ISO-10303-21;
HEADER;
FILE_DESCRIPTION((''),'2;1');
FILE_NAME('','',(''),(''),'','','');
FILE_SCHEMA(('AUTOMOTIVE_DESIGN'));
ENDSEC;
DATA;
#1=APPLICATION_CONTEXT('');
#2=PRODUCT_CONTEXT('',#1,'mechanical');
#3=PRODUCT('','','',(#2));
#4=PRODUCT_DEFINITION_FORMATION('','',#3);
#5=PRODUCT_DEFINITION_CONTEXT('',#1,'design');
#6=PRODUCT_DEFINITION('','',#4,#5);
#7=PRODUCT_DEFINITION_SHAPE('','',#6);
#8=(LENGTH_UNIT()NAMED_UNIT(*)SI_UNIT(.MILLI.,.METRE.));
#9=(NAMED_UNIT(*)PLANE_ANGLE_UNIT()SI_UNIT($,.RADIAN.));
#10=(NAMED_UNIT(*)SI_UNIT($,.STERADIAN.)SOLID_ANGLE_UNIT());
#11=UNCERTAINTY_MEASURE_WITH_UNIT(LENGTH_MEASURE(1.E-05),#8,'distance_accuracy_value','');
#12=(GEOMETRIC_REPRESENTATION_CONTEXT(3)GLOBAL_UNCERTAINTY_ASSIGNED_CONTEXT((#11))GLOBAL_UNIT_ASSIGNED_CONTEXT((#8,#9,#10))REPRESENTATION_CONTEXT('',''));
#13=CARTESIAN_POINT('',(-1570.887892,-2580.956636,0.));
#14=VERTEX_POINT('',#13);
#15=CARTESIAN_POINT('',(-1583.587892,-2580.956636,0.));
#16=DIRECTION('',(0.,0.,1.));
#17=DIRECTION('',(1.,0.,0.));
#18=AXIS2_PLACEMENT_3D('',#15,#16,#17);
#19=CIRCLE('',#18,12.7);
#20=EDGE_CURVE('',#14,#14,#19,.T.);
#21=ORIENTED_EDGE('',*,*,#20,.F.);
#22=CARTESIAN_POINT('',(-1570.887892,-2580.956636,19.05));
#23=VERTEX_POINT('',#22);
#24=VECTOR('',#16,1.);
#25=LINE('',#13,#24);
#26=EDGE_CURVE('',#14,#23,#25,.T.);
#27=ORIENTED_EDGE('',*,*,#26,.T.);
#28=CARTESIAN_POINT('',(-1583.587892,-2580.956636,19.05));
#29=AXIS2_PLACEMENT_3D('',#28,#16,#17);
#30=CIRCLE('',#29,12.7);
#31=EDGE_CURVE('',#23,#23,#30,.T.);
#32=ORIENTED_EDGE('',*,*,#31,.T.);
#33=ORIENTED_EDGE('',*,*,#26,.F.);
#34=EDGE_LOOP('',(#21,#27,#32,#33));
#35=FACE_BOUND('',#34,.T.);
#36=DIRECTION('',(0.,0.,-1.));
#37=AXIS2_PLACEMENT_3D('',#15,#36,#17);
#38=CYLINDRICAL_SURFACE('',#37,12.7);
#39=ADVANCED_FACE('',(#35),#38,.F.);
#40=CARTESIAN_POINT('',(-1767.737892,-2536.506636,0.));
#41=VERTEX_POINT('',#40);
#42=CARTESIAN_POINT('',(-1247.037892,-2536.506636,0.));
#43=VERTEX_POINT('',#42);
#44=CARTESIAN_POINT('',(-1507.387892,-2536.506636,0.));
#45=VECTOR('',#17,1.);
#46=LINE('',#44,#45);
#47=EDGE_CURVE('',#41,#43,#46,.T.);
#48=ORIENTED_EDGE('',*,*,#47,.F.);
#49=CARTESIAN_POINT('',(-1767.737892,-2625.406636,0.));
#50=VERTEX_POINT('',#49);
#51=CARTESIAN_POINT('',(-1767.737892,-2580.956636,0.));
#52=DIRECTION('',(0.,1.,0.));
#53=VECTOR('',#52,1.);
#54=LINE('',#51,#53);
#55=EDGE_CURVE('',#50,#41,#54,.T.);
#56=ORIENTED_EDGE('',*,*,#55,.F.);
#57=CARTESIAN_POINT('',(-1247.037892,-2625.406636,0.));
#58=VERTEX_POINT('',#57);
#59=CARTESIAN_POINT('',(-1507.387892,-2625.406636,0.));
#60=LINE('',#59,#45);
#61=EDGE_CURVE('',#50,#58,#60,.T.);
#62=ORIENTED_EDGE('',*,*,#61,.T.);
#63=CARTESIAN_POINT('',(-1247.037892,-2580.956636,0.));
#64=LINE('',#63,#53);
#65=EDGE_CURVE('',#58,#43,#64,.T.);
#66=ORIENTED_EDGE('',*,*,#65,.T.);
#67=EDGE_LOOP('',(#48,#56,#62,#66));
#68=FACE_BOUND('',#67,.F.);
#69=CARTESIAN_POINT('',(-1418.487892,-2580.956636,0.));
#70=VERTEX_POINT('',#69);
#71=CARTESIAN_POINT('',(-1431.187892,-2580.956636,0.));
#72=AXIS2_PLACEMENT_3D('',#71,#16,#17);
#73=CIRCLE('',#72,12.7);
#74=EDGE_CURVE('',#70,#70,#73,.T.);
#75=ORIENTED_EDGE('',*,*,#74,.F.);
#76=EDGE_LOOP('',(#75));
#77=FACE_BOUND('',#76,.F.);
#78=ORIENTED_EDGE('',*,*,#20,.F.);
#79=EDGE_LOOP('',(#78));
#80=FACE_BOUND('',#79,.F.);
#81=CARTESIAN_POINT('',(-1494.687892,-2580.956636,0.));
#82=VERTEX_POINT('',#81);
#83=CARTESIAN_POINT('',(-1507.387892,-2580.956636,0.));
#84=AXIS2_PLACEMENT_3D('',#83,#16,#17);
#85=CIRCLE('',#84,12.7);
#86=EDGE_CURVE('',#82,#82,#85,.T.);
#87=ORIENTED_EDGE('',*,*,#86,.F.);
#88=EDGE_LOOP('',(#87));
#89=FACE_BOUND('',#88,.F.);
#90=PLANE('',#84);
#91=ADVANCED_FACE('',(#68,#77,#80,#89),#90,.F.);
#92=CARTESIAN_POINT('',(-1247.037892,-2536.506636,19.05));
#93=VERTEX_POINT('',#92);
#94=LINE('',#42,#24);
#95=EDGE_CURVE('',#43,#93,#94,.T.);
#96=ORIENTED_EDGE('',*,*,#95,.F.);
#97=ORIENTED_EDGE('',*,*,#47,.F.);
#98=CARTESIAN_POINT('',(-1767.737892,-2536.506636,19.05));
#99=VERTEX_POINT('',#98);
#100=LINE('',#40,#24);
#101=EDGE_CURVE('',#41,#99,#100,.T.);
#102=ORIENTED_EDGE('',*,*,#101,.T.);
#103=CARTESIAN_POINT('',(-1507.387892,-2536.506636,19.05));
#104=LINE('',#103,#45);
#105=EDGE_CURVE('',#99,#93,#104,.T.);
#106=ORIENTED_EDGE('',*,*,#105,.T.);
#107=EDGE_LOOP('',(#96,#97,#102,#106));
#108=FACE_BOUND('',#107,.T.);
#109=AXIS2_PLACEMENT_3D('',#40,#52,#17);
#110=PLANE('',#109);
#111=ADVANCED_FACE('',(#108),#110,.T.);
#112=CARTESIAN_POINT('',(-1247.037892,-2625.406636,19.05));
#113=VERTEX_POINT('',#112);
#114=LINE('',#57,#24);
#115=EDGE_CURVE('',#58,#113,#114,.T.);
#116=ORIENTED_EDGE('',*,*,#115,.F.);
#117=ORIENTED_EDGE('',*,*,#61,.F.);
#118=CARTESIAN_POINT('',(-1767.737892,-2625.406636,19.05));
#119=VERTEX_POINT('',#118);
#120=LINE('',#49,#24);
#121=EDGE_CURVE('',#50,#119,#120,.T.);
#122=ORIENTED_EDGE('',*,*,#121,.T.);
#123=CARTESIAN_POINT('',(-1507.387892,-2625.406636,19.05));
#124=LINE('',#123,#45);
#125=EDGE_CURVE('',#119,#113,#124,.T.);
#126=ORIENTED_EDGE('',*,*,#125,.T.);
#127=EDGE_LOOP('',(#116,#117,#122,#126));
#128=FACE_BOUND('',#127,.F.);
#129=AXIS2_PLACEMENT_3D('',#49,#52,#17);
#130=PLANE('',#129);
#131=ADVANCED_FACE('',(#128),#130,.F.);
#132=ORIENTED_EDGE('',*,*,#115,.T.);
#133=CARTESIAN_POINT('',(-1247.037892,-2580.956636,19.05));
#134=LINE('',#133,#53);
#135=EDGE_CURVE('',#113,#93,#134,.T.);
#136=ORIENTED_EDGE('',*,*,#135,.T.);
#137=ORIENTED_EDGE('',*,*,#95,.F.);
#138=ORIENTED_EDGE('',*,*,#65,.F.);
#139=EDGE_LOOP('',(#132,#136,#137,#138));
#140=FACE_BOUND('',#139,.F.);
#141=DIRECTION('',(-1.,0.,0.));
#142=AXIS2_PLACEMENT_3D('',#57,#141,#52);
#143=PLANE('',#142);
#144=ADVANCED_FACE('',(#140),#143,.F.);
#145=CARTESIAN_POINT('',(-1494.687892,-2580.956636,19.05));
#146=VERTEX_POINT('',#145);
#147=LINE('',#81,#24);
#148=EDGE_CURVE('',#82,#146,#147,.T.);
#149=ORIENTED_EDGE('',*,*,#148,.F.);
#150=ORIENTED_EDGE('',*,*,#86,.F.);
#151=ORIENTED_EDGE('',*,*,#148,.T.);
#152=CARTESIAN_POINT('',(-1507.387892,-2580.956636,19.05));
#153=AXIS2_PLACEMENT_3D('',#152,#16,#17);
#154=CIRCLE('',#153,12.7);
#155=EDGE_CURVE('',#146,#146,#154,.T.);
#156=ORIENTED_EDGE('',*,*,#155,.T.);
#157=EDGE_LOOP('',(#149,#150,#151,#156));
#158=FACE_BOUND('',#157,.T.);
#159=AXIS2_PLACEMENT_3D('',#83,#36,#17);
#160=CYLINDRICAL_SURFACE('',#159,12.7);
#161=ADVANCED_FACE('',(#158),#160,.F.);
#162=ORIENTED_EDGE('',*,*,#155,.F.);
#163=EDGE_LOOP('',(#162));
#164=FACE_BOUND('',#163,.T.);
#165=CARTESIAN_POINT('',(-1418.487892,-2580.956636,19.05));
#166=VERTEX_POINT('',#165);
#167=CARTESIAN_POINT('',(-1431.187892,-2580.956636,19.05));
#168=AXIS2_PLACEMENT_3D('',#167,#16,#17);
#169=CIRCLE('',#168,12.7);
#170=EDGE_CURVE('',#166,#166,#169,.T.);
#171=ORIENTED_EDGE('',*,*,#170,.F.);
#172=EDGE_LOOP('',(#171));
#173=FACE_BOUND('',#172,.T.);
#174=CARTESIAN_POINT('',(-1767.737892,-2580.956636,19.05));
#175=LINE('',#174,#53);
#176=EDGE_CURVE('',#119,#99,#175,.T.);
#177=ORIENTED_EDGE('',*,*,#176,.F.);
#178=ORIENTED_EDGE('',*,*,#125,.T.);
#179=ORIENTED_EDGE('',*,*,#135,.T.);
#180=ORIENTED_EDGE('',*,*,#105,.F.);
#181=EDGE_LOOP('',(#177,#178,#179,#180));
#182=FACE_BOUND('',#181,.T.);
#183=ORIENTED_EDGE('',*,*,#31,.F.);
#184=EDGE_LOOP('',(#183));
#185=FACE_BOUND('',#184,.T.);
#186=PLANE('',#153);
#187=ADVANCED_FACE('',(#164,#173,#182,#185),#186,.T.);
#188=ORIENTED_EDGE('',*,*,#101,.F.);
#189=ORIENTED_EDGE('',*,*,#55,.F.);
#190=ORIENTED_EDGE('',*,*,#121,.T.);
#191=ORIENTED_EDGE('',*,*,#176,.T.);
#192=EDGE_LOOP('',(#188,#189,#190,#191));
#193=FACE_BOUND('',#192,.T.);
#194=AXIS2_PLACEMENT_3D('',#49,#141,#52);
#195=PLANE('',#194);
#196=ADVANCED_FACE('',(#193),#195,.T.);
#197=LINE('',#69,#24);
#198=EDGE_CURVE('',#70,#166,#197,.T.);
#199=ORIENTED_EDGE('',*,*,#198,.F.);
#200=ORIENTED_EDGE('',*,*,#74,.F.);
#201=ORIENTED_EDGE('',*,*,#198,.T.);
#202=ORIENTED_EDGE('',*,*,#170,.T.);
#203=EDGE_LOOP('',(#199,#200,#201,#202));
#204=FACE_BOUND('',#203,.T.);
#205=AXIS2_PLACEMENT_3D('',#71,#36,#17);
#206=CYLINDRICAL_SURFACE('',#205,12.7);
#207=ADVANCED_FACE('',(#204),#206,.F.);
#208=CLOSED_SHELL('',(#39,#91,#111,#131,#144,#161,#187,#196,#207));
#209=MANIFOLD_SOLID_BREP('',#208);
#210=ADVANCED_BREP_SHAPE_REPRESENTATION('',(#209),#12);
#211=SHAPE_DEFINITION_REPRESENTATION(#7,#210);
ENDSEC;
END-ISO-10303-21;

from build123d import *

# Parameters (mm, degrees)
F0_W     = 520.7
F0_H     = 88.9
F0_R     = 12.7
F1_DEPTH = 19.05


with BuildPart() as f1:
    # F0 (on Top) → F1 (new body)
    with BuildSketch(Plane.XY):
        with Locations((-1507.387892, -2580.956636)):
            Rectangle(F0_W, F0_H)
        with Locations((-1583.587892, -2580.956636)):
            Circle(F0_R, mode=Mode.SUBTRACT)
        with Locations((-1507.387892, -2580.956636)):
            Circle(F0_R, mode=Mode.SUBTRACT)
        with Locations((-1431.187892, -2580.956636)):
            Circle(F0_R, mode=Mode.SUBTRACT)
    extrude(amount=F1_DEPTH)


solid = f1.part
